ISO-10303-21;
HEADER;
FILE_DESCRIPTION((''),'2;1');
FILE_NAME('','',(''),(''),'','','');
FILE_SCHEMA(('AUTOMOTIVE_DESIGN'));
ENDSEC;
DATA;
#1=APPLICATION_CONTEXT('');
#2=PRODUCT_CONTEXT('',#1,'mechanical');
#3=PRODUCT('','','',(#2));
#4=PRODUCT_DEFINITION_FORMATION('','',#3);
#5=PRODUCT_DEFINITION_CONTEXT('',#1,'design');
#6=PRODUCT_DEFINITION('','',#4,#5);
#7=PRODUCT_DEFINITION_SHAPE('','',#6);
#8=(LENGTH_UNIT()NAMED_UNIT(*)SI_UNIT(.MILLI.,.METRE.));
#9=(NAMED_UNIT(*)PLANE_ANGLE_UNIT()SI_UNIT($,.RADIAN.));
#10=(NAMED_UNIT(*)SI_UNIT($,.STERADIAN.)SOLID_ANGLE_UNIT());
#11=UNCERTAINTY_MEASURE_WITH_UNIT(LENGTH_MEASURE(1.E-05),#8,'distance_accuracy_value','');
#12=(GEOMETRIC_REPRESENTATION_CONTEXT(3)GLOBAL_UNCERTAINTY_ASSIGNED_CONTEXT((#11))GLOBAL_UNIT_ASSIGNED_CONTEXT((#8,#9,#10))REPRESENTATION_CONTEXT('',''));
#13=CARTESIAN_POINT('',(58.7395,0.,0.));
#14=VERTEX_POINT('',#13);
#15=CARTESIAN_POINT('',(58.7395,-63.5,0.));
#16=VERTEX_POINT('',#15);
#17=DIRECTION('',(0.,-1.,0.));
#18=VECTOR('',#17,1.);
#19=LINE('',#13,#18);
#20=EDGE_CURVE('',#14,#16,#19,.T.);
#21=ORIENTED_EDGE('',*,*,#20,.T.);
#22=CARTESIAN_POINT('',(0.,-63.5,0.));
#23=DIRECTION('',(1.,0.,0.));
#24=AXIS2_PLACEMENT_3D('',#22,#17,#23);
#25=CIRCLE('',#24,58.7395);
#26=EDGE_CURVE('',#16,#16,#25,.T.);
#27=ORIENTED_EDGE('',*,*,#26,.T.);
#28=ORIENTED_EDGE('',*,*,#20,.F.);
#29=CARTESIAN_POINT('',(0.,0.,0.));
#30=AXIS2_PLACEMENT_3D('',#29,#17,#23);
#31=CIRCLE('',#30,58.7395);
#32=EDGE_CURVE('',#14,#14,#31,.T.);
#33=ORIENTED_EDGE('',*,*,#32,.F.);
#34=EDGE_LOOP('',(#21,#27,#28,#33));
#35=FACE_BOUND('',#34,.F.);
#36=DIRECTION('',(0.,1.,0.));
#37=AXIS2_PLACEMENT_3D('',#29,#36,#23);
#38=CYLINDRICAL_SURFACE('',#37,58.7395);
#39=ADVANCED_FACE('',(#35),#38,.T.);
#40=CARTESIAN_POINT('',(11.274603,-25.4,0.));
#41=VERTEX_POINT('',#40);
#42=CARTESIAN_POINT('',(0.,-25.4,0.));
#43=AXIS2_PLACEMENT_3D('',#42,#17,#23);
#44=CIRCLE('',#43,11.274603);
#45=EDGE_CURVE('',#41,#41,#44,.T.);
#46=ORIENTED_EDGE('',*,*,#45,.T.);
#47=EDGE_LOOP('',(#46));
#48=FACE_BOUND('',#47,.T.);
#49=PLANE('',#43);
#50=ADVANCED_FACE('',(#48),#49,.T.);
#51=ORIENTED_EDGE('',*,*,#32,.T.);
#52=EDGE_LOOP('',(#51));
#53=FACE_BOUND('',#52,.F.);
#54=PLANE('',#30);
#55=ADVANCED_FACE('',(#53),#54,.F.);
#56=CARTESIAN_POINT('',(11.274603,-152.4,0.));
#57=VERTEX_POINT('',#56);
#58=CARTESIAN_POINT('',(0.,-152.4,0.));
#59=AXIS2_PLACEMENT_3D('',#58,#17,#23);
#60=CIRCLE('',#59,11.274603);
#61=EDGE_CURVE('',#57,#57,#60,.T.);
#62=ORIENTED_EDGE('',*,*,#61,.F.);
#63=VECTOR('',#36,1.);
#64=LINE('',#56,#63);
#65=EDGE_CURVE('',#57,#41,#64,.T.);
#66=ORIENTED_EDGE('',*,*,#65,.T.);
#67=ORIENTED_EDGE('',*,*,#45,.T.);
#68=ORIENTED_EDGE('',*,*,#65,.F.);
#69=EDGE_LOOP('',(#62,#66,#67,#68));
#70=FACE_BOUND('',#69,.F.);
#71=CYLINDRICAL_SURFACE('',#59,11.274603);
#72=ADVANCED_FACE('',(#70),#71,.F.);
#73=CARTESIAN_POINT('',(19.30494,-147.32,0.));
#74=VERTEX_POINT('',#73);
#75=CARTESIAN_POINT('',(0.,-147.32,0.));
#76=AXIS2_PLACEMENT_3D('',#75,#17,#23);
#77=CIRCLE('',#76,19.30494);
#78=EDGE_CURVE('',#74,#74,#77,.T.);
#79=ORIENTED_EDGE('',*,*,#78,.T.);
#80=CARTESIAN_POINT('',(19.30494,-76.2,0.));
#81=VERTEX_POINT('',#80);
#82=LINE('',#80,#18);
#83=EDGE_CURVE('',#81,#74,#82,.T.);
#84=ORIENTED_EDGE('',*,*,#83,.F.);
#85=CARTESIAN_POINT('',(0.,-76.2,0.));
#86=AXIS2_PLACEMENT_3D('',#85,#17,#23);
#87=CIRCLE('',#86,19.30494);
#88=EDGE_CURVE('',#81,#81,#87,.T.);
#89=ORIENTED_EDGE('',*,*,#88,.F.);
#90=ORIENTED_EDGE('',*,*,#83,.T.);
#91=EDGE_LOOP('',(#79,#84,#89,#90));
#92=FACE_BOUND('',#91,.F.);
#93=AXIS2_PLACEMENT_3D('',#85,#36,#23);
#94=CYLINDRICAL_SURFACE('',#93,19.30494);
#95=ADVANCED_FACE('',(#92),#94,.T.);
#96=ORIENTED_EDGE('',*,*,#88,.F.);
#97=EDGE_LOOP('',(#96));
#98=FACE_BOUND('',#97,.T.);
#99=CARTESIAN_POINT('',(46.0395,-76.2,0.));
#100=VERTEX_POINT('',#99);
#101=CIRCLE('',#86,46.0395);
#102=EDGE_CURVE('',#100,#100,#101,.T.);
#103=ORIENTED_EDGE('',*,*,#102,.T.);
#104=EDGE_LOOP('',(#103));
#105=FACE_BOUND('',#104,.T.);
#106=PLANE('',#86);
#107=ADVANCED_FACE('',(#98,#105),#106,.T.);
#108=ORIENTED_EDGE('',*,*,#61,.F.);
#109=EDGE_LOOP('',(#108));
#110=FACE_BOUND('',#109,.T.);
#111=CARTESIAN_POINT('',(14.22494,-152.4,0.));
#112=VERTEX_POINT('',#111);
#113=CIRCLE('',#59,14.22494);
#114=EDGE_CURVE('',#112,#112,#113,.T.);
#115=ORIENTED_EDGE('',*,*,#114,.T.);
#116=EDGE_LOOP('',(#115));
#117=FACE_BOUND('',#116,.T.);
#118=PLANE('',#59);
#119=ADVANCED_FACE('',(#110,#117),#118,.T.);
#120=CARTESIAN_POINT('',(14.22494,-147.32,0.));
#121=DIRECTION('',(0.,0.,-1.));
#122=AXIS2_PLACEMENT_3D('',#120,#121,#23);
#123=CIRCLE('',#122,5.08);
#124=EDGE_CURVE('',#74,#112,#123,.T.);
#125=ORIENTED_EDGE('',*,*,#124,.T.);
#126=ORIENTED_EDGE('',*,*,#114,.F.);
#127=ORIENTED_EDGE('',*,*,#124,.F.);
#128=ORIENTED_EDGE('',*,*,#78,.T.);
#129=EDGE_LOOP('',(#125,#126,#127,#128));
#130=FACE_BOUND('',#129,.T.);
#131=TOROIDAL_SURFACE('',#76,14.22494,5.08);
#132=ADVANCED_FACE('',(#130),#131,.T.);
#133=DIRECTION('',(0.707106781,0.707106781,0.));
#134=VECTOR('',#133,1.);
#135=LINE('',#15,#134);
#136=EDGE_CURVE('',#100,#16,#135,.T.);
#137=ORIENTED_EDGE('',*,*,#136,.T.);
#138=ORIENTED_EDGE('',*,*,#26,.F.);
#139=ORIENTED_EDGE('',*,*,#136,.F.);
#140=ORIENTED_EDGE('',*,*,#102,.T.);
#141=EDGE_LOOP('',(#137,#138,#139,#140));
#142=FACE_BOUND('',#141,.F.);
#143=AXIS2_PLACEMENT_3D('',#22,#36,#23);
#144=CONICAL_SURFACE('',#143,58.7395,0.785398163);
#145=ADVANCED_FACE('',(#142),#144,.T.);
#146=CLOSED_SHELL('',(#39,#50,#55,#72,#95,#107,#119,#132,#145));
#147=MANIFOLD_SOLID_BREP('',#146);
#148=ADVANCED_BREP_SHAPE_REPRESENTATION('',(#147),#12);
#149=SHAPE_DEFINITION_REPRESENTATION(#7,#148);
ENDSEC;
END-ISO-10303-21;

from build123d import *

# Parameters (mm, degrees)
F0_R      = 58.7395
F2_DEPTH  = 76.2
F3_R      = 19.30494
F4_DEPTH  = 76.2
F6_R      = 9.692855
F7_DEPTH  = 76.2
F5_R      = 9.656386
F8_DEPTH  = 127
F9_R      = 11.274603
F10_DEPTH = 127
F11_R     = 5.08
F12_SIZE  = 12.7


with BuildPart() as f2:
    # F0 (on Front) → F2 (new body)
    with BuildSketch(Plane.XZ):
        Circle(F0_R)
    extrude(amount=F2_DEPTH)

    # F3 (on face) → F4 (join)
    with BuildSketch(Plane.XZ.offset(76.2)):
        Circle(F3_R)
    extrude(amount=F4_DEPTH)

    # F6 (on Front) → F7 (cut)
    with BuildSketch(Plane.XZ):
        Circle(F6_R)
    extrude(amount=-F7_DEPTH, mode=Mode.SUBTRACT)

    # F5 (on Front) → F8 (cut)
    with BuildSketch(Plane.XZ):
        Circle(F5_R)
    extrude(amount=-F8_DEPTH, mode=Mode.SUBTRACT)

    # F9 (on face) → F10 (cut)
    with BuildSketch(Plane.XZ.offset(152.4)):
        Circle(F9_R)
    extrude(amount=-F10_DEPTH, mode=Mode.SUBTRACT)

    # F11
    f11_edges = [f2.edges().sort_by_distance(p)[0] for p in [
        (-19.30494, -152.4, 0),
    ]]
    fillet(f11_edges, radius=F11_R)

    # F12
    f12_edges = [f2.edges().sort_by_distance(p)[0] for p in [
        (-58.7395, -76.2, 0),
    ]]
    chamfer(f12_edges, length=F12_SIZE)


solid = f2.part
